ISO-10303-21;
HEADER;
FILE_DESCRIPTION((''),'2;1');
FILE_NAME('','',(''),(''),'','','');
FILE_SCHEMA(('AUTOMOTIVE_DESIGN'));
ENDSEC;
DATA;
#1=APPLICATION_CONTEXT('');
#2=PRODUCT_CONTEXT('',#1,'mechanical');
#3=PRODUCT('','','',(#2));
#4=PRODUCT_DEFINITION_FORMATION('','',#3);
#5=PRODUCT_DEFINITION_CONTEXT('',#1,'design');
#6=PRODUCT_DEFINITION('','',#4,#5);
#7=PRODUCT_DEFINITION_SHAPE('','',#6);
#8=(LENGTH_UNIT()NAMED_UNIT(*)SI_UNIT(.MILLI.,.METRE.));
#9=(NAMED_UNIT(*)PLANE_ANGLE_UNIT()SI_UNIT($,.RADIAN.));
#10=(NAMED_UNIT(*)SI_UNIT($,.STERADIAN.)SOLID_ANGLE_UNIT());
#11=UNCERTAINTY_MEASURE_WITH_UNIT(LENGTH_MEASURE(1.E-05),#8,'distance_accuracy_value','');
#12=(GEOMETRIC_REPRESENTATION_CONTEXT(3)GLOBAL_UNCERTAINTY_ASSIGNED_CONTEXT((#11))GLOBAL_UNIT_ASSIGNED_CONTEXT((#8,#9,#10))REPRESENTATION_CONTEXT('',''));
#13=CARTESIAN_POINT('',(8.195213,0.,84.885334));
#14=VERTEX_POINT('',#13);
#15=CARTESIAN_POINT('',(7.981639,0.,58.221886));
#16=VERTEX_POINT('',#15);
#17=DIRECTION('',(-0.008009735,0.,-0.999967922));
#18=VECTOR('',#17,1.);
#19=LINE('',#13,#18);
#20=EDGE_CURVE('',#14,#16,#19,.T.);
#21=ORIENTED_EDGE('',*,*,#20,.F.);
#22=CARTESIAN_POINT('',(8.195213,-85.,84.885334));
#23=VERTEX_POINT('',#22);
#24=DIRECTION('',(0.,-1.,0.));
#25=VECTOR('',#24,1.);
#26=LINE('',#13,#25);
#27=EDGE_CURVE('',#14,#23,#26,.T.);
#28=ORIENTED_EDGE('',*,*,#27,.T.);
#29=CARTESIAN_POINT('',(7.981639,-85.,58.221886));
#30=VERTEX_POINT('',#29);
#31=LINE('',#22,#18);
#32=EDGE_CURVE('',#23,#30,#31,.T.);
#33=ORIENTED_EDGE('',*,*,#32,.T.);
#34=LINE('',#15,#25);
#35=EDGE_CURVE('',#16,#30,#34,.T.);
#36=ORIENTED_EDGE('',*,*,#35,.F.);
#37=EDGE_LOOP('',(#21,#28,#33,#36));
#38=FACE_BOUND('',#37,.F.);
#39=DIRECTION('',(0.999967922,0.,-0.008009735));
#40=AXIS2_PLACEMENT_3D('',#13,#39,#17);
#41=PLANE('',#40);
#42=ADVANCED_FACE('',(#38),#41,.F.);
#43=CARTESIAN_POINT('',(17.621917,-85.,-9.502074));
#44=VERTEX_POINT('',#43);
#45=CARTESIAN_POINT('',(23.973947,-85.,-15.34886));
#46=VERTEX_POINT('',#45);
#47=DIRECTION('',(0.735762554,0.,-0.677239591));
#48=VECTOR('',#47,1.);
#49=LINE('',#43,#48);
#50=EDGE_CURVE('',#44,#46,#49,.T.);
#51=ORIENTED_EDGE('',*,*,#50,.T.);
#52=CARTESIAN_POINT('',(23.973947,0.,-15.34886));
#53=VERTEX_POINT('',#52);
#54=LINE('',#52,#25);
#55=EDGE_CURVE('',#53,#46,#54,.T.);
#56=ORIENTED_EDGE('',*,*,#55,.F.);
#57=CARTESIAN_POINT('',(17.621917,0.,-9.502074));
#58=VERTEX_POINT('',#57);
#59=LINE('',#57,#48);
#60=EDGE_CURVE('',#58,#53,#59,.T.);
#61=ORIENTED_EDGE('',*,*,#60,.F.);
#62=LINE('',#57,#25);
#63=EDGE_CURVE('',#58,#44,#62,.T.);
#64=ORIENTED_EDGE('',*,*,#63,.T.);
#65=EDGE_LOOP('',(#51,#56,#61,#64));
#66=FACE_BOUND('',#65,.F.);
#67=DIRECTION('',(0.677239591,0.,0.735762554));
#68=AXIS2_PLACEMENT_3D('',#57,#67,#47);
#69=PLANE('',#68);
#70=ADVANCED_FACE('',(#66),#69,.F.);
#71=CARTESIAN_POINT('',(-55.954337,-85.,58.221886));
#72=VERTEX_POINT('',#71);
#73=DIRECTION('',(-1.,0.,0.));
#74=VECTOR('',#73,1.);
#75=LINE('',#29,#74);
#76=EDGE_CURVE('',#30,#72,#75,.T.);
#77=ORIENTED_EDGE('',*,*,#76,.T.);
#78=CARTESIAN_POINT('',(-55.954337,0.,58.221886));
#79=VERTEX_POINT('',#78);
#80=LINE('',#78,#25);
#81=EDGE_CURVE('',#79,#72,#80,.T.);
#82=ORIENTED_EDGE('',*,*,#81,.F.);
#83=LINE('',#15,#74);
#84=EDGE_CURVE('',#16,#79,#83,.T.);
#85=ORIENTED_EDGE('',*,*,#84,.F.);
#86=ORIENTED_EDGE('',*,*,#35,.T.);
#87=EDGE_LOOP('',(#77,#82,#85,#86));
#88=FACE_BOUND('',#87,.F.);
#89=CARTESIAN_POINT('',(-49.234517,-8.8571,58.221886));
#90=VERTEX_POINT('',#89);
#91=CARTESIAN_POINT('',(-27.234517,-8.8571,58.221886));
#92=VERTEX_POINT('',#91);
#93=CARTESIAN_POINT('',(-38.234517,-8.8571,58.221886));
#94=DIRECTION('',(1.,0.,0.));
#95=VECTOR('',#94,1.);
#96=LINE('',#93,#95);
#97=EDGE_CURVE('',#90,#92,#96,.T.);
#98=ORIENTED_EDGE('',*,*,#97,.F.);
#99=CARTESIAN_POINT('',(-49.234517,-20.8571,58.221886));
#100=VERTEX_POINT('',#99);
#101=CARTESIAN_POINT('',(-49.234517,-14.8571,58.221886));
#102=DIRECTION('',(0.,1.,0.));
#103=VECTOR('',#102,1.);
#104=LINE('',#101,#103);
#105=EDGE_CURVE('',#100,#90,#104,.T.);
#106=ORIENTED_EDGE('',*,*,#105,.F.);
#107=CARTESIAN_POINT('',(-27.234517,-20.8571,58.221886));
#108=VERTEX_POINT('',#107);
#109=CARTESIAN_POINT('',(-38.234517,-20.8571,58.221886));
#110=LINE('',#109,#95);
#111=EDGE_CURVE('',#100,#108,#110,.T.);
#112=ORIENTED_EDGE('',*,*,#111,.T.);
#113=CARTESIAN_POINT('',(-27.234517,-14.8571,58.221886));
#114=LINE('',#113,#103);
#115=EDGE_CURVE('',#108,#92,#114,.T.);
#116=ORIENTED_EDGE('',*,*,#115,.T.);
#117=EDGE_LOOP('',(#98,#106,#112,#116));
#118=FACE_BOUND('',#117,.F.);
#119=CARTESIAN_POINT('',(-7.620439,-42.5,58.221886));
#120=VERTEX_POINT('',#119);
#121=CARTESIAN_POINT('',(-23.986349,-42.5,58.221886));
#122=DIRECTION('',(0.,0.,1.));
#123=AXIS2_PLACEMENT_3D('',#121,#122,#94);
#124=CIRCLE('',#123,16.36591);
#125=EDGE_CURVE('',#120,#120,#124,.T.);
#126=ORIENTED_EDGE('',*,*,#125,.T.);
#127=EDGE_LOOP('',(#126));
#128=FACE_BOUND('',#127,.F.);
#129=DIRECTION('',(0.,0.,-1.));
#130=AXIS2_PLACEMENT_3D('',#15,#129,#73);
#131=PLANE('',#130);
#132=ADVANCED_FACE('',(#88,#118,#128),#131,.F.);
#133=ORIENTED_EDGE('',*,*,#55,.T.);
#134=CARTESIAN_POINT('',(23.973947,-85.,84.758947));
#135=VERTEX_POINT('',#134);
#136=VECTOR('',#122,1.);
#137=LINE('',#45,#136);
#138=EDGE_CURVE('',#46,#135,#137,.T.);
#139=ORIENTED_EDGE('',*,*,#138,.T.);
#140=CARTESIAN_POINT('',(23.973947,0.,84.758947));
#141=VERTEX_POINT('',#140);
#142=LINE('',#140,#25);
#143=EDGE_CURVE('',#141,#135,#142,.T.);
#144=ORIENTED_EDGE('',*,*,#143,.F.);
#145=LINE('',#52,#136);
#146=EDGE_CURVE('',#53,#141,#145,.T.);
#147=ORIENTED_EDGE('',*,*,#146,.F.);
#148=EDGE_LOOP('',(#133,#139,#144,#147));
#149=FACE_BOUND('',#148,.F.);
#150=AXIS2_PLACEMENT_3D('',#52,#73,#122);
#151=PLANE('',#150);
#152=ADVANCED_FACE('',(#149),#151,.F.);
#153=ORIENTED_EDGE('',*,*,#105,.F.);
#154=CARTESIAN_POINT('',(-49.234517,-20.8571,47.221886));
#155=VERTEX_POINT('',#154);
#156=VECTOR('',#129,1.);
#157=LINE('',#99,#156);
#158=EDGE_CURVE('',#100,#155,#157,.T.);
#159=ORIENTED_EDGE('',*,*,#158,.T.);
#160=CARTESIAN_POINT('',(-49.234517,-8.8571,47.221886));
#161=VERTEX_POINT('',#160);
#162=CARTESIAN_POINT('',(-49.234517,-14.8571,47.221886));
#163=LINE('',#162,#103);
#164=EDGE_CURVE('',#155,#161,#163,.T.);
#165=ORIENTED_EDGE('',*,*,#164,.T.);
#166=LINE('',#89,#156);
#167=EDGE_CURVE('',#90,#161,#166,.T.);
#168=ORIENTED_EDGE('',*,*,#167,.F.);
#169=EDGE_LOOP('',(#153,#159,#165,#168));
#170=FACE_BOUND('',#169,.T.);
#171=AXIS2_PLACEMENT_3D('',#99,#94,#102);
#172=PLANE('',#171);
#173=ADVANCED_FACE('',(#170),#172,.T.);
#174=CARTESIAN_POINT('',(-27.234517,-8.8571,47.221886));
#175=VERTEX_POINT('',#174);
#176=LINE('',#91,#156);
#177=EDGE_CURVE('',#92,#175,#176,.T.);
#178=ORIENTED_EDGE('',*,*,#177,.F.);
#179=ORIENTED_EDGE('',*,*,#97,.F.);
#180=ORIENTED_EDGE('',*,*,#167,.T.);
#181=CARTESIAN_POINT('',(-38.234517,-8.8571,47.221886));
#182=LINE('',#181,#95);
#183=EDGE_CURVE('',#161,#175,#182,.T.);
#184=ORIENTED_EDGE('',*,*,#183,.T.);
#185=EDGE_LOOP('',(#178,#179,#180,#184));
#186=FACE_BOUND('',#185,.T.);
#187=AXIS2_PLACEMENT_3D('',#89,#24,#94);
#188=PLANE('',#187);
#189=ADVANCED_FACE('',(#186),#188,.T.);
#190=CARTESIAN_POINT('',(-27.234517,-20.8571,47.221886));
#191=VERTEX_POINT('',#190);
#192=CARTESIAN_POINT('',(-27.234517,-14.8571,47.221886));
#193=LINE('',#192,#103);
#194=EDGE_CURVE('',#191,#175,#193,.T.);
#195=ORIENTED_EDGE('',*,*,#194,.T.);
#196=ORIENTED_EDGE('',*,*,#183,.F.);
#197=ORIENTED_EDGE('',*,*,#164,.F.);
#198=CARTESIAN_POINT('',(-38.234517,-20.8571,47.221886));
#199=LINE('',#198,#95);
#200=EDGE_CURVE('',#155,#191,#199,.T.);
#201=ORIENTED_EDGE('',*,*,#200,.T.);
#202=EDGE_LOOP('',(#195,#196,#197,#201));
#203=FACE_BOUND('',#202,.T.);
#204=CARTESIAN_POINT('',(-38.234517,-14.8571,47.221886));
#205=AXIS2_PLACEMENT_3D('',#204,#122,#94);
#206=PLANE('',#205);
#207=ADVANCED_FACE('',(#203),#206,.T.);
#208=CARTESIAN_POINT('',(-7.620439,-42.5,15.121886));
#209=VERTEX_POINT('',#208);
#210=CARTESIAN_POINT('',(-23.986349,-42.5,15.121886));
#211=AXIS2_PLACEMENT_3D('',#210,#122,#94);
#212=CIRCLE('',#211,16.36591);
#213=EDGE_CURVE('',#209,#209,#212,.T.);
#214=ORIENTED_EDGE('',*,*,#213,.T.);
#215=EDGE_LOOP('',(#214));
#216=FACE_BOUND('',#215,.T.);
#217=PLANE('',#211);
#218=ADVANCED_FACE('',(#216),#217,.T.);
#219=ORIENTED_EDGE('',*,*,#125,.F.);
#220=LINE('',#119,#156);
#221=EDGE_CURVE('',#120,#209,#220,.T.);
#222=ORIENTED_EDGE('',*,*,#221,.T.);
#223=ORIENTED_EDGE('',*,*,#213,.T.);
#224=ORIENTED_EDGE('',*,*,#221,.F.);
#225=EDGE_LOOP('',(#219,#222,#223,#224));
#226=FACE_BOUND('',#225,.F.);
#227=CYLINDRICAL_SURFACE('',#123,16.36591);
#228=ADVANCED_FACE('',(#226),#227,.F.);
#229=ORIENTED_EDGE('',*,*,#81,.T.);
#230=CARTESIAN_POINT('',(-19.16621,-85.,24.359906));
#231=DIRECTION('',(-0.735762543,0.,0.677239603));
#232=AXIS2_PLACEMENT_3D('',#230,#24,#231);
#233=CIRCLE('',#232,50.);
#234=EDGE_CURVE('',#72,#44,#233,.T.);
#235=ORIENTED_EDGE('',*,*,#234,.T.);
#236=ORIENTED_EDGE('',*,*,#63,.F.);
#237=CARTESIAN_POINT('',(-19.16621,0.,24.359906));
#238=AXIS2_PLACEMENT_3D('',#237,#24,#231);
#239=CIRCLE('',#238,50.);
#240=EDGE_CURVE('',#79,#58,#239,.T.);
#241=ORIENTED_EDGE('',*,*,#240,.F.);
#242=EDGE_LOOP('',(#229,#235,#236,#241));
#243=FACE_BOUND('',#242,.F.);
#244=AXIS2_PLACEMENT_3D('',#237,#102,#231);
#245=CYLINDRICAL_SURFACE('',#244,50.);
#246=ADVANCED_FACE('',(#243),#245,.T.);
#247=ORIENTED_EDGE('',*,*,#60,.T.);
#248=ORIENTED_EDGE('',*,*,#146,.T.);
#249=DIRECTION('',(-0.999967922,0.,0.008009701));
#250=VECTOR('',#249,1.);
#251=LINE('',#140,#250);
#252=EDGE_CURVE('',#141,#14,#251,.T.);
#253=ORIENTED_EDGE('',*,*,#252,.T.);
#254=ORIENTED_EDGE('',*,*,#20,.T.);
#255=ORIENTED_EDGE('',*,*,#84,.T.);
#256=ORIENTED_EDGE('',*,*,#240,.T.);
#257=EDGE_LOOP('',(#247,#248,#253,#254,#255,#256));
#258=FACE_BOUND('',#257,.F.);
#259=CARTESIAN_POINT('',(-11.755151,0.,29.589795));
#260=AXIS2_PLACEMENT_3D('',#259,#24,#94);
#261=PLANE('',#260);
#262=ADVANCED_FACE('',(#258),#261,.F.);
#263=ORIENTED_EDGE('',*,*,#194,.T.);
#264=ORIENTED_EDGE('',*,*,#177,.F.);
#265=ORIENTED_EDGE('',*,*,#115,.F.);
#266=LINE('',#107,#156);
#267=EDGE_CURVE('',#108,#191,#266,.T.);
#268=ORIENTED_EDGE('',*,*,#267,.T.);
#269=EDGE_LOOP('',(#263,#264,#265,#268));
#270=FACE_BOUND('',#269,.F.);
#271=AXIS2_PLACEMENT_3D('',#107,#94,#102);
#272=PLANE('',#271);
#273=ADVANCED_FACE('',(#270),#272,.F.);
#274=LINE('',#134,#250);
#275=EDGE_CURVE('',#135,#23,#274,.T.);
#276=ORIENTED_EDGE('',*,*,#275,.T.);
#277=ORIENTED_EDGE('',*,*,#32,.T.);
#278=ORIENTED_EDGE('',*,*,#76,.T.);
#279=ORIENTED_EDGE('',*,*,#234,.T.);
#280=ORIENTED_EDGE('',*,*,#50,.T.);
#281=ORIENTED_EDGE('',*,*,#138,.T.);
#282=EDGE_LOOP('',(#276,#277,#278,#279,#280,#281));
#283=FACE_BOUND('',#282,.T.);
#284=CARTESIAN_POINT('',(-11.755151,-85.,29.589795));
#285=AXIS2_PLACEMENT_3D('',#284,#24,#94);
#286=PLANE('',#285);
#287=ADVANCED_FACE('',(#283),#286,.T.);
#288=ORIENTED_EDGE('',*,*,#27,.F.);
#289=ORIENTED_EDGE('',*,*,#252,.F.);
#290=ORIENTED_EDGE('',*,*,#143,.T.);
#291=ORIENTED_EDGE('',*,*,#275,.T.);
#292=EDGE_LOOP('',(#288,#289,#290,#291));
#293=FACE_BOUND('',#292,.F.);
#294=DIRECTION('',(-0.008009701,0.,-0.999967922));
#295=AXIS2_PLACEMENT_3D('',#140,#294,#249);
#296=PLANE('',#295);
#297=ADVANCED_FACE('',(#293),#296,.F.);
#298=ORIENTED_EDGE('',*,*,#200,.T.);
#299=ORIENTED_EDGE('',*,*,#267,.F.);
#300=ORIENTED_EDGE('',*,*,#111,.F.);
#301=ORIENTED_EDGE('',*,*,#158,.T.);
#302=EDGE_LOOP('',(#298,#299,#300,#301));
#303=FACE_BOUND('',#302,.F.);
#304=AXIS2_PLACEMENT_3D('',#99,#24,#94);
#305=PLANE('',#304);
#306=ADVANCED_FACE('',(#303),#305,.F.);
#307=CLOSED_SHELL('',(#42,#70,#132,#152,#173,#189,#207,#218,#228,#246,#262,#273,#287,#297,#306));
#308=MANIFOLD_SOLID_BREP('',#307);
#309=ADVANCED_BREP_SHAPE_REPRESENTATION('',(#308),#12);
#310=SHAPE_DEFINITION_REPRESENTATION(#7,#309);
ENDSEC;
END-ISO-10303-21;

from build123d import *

# Parameters (mm, degrees)
F1_DEPTH = 85
F2_R     = 16.36591
F3_DEPTH = 43.1
F4_W     = 22
F4_H     = 12
F5_DEPTH = 11


with BuildPart() as f1:
    # F0 (on Front) → F1 (new body)
    with BuildSketch(Plane.XZ):
        with BuildLine():
            ThreePointArc((-55.954337, 58.221886), (-53.02819, -12.428221), (17.621917, -9.502074))
            Line((17.621917, -9.502074), (23.973947, -15.34886))
            Line((23.973947, -15.34886), (23.973947, 84.758947))
            Line((23.973947, 84.758947), (8.195213, 84.885334))
            Line((8.195213, 84.885334), (7.981639, 58.221886))
            Line((7.981639, 58.221886), (-55.954337, 58.221886))
        make_face()
    extrude(amount=F1_DEPTH)

    # F2 (on face) → F3 (cut)
    with BuildSketch(Plane.XY.offset(58.221886)):
        with Locations((-23.986349, -42.5)):
            Circle(F2_R)
    extrude(amount=-F3_DEPTH, mode=Mode.SUBTRACT)

    # F4 (on face) → F5 (cut)
    with BuildSketch(Plane.XY.offset(58.221886)):
        with Locations((-38.234517, -14.8571)):
            Rectangle(F4_W, F4_H)
    extrude(amount=-F5_DEPTH, mode=Mode.SUBTRACT)


solid = f1.part
